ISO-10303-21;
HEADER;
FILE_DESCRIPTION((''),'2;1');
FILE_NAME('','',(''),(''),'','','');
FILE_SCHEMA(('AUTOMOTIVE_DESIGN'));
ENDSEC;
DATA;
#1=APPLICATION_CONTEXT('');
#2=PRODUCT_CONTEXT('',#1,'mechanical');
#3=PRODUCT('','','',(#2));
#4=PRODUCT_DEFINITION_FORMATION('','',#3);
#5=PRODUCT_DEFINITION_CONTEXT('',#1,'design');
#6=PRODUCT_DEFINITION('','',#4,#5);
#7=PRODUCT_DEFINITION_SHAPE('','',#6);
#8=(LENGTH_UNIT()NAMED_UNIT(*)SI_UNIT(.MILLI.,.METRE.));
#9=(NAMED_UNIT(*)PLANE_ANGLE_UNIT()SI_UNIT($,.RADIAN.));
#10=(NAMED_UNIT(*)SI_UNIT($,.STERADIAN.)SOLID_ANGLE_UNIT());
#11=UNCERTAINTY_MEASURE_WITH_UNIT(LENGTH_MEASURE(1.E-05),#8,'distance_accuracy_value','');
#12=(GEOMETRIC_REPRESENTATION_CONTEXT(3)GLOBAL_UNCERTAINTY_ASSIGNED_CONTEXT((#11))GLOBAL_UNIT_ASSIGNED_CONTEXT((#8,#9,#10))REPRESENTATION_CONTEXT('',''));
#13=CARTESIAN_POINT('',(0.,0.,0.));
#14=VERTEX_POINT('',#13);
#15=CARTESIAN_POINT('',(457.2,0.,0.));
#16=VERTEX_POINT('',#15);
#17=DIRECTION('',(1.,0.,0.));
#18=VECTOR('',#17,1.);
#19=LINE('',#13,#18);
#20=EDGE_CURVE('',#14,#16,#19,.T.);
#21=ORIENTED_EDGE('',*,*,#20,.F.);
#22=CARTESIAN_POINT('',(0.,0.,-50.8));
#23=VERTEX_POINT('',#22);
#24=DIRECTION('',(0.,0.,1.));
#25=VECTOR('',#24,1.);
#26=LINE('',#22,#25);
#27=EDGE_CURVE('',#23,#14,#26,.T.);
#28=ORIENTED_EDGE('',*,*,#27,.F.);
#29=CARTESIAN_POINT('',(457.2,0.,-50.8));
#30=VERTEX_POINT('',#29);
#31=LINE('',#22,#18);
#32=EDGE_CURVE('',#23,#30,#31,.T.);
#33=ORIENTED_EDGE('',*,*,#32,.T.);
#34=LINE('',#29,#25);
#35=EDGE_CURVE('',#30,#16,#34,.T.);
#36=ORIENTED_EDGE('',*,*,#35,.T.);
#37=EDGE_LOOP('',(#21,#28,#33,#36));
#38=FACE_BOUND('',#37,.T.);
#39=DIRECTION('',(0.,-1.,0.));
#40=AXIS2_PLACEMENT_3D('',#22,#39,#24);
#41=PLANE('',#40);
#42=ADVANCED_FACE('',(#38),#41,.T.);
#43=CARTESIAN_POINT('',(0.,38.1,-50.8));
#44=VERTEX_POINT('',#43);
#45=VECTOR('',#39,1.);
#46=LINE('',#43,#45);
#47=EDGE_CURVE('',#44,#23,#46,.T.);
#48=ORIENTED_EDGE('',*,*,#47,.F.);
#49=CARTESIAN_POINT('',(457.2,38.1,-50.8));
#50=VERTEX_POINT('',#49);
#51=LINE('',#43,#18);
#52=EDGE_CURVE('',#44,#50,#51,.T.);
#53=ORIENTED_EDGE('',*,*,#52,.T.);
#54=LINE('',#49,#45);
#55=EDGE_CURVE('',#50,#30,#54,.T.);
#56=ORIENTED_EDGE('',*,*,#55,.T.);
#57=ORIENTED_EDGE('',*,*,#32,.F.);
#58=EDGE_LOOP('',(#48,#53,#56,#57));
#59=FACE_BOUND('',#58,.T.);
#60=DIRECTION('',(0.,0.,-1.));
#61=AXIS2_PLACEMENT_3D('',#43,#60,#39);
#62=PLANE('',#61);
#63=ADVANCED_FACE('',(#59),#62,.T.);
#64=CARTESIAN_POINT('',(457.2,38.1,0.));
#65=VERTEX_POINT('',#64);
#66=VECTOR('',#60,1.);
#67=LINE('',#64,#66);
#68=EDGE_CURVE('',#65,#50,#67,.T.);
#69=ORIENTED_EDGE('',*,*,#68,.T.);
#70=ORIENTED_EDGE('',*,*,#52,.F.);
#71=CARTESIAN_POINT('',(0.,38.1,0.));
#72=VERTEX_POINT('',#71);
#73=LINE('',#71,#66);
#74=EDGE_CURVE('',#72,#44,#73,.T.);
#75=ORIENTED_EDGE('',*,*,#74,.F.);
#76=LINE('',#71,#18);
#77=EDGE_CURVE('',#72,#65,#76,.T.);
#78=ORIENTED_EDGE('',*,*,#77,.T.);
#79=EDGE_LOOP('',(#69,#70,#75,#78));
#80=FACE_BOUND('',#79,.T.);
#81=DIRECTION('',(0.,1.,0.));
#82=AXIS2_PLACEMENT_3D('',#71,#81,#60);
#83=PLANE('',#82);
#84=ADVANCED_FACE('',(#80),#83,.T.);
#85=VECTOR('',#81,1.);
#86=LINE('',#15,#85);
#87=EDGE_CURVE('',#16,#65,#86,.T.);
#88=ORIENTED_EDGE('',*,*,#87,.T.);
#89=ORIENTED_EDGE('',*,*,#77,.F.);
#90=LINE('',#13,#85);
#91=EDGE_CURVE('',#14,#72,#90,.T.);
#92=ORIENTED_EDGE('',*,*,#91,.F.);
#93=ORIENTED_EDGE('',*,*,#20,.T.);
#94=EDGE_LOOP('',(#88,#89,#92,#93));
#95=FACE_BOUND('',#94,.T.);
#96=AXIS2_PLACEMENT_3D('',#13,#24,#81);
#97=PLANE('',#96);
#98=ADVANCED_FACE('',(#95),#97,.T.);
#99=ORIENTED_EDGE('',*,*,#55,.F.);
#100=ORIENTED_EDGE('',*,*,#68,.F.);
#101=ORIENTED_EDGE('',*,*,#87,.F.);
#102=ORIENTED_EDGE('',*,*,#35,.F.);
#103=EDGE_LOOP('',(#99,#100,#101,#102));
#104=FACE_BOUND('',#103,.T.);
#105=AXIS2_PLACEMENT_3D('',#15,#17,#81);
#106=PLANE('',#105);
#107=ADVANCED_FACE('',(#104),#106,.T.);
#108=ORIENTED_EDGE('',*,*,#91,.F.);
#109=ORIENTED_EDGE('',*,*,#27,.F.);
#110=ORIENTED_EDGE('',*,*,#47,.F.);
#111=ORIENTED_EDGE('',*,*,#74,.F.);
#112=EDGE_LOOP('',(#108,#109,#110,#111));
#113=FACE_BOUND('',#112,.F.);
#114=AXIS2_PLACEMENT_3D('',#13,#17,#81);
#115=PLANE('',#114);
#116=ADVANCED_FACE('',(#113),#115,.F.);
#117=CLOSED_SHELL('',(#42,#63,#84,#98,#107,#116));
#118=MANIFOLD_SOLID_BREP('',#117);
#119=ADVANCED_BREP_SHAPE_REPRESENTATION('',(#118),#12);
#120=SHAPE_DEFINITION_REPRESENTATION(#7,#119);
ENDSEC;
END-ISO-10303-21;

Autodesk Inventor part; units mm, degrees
ref_plane "YZ Plane" through (0, 0, 0) normal (1, 0, 0) x (0, 1, 0)
ref_plane "XZ Plane" through (0, 0, 0) normal (0, 1, 0) x (-1, 0, 0)
ref_plane "XY Plane" through (0, 0, 0) normal (0, 0, 1) x (1, 0, 0)
sketch "Sketch2" plane through (0, 0, 0) normal (1, 0, 0) x (0, 1, 0)
  line L0 (0, 0) -> (38.1, 0)
  line L1 (38.1, 0) -> (38.1, -50.8)
  line L2 (38.1, -50.8) -> (0, -50.8)
  line L3 (0, -50.8) -> (0, 0)
  dimension "d3" = 38.1
  dimension "d4" = 50.8
extrude "Extrusion1" add sketch "Sketch2" along normal blind 457.2
properties part number "Riser"
